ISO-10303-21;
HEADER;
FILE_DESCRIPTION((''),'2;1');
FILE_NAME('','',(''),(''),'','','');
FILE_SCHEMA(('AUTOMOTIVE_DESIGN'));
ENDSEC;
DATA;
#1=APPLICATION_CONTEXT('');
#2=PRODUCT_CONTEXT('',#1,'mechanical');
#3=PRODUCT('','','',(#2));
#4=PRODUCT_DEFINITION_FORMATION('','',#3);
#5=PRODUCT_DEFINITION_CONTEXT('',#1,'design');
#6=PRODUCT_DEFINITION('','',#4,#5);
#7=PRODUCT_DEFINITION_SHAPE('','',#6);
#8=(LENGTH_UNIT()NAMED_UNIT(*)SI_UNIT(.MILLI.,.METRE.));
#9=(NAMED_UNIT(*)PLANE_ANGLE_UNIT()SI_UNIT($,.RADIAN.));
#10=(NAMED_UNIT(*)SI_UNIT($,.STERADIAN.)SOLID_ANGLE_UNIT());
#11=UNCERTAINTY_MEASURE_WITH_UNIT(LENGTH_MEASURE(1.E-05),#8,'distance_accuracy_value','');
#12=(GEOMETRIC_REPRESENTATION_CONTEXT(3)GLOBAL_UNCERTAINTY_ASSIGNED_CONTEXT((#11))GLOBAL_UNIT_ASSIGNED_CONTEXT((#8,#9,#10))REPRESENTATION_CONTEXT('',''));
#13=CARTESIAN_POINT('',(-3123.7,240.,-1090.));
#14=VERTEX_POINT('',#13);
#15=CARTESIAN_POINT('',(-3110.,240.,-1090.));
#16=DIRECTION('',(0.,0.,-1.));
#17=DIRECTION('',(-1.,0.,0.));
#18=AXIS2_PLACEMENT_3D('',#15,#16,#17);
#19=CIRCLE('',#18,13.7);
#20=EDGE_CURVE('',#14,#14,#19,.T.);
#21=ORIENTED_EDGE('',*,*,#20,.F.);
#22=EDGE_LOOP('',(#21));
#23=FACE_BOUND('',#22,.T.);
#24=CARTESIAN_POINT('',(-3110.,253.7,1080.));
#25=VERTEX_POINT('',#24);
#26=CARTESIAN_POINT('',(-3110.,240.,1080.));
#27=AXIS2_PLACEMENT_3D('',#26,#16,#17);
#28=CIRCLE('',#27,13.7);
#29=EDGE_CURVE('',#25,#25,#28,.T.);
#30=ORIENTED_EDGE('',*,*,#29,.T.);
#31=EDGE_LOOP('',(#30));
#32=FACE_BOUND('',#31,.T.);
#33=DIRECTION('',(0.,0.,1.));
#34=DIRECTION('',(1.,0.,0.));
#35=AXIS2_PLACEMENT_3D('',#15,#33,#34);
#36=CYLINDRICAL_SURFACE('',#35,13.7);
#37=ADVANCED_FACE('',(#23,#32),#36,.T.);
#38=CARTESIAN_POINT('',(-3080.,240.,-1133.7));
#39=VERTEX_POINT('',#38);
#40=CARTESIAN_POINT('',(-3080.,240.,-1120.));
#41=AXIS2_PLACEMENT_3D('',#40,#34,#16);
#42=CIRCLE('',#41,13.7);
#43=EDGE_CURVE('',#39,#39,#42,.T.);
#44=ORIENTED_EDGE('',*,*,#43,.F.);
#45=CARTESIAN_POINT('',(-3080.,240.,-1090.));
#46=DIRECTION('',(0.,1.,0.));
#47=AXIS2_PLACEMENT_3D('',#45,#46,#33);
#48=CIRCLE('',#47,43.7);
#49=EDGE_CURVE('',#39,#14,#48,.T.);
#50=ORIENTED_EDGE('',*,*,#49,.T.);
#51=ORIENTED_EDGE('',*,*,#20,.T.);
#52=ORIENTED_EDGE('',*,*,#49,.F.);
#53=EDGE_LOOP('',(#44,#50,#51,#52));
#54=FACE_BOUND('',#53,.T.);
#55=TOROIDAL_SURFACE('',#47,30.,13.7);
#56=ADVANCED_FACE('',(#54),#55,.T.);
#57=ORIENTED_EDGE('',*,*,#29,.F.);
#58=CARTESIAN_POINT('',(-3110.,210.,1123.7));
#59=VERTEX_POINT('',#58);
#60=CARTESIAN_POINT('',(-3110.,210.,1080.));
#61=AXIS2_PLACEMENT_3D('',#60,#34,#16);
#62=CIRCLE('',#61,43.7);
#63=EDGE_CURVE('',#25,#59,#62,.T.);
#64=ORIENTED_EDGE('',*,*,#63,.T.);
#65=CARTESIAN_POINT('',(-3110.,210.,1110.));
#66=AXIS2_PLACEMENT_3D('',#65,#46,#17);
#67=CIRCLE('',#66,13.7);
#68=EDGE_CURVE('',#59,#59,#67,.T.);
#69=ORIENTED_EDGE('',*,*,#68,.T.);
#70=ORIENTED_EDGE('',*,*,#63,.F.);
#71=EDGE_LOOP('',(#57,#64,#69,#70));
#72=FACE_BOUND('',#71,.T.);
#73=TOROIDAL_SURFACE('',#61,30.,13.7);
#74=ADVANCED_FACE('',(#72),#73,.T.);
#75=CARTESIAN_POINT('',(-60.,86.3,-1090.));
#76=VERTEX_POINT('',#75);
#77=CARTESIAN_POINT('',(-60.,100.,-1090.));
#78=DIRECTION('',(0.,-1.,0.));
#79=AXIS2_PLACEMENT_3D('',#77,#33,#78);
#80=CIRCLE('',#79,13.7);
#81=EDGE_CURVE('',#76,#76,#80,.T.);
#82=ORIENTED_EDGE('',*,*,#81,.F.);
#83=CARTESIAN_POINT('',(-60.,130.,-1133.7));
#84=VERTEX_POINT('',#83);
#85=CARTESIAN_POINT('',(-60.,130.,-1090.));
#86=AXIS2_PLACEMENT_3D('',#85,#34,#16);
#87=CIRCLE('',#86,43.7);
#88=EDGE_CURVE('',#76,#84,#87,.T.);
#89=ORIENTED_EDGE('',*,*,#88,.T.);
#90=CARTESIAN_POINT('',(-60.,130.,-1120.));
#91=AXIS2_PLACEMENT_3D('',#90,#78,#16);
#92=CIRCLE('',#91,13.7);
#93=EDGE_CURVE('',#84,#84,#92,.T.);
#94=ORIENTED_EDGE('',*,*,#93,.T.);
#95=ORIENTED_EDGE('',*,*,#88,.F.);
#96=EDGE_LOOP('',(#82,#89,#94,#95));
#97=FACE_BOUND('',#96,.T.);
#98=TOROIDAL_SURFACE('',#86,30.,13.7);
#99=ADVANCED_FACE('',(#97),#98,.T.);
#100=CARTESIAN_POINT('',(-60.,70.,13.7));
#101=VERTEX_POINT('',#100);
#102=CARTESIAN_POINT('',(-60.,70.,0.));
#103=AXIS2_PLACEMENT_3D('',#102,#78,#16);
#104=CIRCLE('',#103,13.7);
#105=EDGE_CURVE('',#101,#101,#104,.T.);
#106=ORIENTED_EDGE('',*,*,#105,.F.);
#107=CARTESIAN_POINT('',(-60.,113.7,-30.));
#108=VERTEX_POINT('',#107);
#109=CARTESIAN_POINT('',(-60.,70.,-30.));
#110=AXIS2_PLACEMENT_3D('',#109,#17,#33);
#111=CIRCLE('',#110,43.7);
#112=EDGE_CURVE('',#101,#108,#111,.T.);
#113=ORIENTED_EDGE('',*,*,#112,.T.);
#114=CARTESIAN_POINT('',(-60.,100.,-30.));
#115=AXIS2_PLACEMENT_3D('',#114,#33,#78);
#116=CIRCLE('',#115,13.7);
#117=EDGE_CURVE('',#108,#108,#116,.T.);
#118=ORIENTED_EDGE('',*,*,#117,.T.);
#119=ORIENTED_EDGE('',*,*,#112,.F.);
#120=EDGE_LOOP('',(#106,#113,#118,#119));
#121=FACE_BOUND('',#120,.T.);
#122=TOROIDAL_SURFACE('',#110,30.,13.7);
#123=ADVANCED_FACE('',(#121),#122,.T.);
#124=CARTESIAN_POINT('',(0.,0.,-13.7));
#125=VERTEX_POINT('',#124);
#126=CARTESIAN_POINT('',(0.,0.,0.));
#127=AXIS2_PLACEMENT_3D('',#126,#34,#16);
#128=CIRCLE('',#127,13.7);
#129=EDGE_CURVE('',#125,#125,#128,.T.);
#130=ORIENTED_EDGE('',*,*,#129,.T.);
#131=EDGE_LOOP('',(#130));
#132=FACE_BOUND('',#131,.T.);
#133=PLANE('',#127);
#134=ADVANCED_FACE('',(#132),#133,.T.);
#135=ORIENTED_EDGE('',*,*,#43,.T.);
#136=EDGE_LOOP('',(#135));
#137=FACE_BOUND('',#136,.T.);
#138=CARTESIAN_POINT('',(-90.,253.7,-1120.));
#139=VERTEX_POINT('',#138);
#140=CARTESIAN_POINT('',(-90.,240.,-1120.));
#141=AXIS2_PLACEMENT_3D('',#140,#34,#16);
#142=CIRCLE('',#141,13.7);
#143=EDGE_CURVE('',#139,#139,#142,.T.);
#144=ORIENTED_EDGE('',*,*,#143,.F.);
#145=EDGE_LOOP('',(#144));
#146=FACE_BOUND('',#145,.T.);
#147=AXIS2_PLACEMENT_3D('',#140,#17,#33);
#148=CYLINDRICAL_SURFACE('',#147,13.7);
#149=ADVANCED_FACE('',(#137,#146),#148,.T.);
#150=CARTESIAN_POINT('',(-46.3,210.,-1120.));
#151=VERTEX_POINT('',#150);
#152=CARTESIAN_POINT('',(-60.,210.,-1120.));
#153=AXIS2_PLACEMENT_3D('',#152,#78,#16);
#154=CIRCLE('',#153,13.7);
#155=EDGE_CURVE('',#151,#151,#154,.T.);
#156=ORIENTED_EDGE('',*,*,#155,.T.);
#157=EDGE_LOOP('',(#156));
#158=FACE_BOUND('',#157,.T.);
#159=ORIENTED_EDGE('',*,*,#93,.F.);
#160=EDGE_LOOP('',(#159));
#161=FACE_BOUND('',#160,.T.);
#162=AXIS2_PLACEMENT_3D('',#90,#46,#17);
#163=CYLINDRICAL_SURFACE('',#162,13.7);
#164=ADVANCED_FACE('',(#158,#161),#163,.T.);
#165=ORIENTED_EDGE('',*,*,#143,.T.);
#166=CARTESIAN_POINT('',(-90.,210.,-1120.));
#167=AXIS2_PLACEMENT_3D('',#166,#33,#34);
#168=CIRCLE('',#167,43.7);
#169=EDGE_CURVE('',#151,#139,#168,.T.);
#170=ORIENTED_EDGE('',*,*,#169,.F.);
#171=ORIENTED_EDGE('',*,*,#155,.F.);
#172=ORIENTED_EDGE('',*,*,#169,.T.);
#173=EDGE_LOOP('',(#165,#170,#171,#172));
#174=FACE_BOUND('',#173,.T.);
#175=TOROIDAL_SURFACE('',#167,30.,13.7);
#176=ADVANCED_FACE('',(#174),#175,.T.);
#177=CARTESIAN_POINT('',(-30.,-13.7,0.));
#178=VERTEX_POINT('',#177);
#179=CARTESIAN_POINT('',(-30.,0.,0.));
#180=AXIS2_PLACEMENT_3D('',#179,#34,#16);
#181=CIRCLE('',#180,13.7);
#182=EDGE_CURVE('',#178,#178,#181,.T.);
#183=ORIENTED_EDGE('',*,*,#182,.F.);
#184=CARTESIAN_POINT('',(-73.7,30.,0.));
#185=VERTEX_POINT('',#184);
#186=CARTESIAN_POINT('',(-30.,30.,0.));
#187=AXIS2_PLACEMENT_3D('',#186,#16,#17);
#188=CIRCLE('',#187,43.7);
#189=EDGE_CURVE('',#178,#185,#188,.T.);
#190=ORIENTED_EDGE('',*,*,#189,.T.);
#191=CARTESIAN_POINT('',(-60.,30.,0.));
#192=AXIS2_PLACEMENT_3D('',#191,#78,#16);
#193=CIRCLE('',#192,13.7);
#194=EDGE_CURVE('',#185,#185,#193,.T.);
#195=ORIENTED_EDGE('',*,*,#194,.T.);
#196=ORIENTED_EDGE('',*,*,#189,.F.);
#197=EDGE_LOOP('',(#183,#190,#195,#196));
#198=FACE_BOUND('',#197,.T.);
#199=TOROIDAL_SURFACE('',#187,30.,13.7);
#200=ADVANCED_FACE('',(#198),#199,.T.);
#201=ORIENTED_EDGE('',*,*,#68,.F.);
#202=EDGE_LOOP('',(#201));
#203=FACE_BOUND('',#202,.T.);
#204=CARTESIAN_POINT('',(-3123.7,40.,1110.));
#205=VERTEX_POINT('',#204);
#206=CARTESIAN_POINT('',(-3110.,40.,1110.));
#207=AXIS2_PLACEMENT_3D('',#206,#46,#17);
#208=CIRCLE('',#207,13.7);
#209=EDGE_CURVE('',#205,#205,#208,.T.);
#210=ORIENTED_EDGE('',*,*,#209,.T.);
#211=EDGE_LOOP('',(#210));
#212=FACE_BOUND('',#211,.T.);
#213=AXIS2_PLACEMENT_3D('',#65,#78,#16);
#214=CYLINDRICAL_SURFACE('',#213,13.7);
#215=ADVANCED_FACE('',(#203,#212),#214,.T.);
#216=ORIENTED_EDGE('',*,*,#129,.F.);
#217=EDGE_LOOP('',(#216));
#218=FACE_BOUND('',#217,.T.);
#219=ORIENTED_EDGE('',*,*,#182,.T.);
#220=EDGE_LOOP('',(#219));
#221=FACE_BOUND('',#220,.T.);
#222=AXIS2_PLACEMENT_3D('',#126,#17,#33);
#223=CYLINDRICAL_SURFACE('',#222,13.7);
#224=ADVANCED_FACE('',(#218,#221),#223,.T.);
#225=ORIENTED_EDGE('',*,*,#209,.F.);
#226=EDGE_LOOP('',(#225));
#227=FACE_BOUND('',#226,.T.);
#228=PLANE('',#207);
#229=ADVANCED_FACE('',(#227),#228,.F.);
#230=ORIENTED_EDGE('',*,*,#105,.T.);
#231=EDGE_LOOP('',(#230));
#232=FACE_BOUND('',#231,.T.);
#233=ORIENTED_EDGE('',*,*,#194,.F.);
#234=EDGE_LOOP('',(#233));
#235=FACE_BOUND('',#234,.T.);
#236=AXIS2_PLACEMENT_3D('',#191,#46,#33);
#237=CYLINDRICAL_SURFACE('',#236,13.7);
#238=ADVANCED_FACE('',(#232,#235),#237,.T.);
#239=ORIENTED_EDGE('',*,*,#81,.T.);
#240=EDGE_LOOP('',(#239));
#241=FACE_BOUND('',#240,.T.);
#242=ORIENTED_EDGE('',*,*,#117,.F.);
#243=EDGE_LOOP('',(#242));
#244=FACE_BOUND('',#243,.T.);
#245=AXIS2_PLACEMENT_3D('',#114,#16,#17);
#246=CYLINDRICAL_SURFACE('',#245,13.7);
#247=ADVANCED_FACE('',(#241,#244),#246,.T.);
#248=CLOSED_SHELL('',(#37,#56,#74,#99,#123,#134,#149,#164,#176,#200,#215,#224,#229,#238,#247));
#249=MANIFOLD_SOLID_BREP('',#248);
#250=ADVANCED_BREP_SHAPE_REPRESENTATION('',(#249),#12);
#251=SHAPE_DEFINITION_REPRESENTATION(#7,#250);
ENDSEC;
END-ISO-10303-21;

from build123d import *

# Parameters (mm, degrees)
CROQUIS1_R = 13.7


with BuildPart() as part:
    # Barrer1: sweep along a curve in space
    with BuildLine() as barrer1_path:
        Line((0, 0, 0), (-30, 0, 0))
        ThreePointArc((-30, 0, 0), (-51.213203436, 8.786796564, 0), (-60, 30, 0))
        Line((-60, 30, 0), (-60, 70, 0))
        ThreePointArc((-60, 70, 0), (-60, 91.213203436, -8.786796564), (-60, 100, -30))
        Line((-60, 100, -30), (-60, 100, -1090))
        ThreePointArc((-60, 130, -1120), (-60, 108.786796564, -1111.213203436), (-60, 100, -1090))
        Line((-60, 130, -1120), (-60, 210, -1120))
        ThreePointArc((-60, 210, -1120), (-68.786796564, 231.213203436, -1120), (-90, 240, -1120))
        Line((-90, 240, -1120), (-3080, 240, -1120))
        ThreePointArc((-3080, 240, -1120), (-3101.213203436, 240, -1111.213203436), (-3110, 240, -1090))
        Line((-3110, 240, -1090), (-3110, 240, 1080))
        ThreePointArc((-3110, 240, 1080), (-3110, 231.213203436, 1101.213203436), (-3110, 210, 1110))
        Line((-3110, 210, 1110), (-3110, 40, 1110))
    # Croquis1 → Barrer1 (sweep)
    with BuildSketch(Plane(origin=(0, 0, 0), x_dir=(0, 0, -1), z_dir=(1, 0, 0))):
        Circle(CROQUIS1_R)
    sweep(path=barrer1_path.line)


solid = part.part
